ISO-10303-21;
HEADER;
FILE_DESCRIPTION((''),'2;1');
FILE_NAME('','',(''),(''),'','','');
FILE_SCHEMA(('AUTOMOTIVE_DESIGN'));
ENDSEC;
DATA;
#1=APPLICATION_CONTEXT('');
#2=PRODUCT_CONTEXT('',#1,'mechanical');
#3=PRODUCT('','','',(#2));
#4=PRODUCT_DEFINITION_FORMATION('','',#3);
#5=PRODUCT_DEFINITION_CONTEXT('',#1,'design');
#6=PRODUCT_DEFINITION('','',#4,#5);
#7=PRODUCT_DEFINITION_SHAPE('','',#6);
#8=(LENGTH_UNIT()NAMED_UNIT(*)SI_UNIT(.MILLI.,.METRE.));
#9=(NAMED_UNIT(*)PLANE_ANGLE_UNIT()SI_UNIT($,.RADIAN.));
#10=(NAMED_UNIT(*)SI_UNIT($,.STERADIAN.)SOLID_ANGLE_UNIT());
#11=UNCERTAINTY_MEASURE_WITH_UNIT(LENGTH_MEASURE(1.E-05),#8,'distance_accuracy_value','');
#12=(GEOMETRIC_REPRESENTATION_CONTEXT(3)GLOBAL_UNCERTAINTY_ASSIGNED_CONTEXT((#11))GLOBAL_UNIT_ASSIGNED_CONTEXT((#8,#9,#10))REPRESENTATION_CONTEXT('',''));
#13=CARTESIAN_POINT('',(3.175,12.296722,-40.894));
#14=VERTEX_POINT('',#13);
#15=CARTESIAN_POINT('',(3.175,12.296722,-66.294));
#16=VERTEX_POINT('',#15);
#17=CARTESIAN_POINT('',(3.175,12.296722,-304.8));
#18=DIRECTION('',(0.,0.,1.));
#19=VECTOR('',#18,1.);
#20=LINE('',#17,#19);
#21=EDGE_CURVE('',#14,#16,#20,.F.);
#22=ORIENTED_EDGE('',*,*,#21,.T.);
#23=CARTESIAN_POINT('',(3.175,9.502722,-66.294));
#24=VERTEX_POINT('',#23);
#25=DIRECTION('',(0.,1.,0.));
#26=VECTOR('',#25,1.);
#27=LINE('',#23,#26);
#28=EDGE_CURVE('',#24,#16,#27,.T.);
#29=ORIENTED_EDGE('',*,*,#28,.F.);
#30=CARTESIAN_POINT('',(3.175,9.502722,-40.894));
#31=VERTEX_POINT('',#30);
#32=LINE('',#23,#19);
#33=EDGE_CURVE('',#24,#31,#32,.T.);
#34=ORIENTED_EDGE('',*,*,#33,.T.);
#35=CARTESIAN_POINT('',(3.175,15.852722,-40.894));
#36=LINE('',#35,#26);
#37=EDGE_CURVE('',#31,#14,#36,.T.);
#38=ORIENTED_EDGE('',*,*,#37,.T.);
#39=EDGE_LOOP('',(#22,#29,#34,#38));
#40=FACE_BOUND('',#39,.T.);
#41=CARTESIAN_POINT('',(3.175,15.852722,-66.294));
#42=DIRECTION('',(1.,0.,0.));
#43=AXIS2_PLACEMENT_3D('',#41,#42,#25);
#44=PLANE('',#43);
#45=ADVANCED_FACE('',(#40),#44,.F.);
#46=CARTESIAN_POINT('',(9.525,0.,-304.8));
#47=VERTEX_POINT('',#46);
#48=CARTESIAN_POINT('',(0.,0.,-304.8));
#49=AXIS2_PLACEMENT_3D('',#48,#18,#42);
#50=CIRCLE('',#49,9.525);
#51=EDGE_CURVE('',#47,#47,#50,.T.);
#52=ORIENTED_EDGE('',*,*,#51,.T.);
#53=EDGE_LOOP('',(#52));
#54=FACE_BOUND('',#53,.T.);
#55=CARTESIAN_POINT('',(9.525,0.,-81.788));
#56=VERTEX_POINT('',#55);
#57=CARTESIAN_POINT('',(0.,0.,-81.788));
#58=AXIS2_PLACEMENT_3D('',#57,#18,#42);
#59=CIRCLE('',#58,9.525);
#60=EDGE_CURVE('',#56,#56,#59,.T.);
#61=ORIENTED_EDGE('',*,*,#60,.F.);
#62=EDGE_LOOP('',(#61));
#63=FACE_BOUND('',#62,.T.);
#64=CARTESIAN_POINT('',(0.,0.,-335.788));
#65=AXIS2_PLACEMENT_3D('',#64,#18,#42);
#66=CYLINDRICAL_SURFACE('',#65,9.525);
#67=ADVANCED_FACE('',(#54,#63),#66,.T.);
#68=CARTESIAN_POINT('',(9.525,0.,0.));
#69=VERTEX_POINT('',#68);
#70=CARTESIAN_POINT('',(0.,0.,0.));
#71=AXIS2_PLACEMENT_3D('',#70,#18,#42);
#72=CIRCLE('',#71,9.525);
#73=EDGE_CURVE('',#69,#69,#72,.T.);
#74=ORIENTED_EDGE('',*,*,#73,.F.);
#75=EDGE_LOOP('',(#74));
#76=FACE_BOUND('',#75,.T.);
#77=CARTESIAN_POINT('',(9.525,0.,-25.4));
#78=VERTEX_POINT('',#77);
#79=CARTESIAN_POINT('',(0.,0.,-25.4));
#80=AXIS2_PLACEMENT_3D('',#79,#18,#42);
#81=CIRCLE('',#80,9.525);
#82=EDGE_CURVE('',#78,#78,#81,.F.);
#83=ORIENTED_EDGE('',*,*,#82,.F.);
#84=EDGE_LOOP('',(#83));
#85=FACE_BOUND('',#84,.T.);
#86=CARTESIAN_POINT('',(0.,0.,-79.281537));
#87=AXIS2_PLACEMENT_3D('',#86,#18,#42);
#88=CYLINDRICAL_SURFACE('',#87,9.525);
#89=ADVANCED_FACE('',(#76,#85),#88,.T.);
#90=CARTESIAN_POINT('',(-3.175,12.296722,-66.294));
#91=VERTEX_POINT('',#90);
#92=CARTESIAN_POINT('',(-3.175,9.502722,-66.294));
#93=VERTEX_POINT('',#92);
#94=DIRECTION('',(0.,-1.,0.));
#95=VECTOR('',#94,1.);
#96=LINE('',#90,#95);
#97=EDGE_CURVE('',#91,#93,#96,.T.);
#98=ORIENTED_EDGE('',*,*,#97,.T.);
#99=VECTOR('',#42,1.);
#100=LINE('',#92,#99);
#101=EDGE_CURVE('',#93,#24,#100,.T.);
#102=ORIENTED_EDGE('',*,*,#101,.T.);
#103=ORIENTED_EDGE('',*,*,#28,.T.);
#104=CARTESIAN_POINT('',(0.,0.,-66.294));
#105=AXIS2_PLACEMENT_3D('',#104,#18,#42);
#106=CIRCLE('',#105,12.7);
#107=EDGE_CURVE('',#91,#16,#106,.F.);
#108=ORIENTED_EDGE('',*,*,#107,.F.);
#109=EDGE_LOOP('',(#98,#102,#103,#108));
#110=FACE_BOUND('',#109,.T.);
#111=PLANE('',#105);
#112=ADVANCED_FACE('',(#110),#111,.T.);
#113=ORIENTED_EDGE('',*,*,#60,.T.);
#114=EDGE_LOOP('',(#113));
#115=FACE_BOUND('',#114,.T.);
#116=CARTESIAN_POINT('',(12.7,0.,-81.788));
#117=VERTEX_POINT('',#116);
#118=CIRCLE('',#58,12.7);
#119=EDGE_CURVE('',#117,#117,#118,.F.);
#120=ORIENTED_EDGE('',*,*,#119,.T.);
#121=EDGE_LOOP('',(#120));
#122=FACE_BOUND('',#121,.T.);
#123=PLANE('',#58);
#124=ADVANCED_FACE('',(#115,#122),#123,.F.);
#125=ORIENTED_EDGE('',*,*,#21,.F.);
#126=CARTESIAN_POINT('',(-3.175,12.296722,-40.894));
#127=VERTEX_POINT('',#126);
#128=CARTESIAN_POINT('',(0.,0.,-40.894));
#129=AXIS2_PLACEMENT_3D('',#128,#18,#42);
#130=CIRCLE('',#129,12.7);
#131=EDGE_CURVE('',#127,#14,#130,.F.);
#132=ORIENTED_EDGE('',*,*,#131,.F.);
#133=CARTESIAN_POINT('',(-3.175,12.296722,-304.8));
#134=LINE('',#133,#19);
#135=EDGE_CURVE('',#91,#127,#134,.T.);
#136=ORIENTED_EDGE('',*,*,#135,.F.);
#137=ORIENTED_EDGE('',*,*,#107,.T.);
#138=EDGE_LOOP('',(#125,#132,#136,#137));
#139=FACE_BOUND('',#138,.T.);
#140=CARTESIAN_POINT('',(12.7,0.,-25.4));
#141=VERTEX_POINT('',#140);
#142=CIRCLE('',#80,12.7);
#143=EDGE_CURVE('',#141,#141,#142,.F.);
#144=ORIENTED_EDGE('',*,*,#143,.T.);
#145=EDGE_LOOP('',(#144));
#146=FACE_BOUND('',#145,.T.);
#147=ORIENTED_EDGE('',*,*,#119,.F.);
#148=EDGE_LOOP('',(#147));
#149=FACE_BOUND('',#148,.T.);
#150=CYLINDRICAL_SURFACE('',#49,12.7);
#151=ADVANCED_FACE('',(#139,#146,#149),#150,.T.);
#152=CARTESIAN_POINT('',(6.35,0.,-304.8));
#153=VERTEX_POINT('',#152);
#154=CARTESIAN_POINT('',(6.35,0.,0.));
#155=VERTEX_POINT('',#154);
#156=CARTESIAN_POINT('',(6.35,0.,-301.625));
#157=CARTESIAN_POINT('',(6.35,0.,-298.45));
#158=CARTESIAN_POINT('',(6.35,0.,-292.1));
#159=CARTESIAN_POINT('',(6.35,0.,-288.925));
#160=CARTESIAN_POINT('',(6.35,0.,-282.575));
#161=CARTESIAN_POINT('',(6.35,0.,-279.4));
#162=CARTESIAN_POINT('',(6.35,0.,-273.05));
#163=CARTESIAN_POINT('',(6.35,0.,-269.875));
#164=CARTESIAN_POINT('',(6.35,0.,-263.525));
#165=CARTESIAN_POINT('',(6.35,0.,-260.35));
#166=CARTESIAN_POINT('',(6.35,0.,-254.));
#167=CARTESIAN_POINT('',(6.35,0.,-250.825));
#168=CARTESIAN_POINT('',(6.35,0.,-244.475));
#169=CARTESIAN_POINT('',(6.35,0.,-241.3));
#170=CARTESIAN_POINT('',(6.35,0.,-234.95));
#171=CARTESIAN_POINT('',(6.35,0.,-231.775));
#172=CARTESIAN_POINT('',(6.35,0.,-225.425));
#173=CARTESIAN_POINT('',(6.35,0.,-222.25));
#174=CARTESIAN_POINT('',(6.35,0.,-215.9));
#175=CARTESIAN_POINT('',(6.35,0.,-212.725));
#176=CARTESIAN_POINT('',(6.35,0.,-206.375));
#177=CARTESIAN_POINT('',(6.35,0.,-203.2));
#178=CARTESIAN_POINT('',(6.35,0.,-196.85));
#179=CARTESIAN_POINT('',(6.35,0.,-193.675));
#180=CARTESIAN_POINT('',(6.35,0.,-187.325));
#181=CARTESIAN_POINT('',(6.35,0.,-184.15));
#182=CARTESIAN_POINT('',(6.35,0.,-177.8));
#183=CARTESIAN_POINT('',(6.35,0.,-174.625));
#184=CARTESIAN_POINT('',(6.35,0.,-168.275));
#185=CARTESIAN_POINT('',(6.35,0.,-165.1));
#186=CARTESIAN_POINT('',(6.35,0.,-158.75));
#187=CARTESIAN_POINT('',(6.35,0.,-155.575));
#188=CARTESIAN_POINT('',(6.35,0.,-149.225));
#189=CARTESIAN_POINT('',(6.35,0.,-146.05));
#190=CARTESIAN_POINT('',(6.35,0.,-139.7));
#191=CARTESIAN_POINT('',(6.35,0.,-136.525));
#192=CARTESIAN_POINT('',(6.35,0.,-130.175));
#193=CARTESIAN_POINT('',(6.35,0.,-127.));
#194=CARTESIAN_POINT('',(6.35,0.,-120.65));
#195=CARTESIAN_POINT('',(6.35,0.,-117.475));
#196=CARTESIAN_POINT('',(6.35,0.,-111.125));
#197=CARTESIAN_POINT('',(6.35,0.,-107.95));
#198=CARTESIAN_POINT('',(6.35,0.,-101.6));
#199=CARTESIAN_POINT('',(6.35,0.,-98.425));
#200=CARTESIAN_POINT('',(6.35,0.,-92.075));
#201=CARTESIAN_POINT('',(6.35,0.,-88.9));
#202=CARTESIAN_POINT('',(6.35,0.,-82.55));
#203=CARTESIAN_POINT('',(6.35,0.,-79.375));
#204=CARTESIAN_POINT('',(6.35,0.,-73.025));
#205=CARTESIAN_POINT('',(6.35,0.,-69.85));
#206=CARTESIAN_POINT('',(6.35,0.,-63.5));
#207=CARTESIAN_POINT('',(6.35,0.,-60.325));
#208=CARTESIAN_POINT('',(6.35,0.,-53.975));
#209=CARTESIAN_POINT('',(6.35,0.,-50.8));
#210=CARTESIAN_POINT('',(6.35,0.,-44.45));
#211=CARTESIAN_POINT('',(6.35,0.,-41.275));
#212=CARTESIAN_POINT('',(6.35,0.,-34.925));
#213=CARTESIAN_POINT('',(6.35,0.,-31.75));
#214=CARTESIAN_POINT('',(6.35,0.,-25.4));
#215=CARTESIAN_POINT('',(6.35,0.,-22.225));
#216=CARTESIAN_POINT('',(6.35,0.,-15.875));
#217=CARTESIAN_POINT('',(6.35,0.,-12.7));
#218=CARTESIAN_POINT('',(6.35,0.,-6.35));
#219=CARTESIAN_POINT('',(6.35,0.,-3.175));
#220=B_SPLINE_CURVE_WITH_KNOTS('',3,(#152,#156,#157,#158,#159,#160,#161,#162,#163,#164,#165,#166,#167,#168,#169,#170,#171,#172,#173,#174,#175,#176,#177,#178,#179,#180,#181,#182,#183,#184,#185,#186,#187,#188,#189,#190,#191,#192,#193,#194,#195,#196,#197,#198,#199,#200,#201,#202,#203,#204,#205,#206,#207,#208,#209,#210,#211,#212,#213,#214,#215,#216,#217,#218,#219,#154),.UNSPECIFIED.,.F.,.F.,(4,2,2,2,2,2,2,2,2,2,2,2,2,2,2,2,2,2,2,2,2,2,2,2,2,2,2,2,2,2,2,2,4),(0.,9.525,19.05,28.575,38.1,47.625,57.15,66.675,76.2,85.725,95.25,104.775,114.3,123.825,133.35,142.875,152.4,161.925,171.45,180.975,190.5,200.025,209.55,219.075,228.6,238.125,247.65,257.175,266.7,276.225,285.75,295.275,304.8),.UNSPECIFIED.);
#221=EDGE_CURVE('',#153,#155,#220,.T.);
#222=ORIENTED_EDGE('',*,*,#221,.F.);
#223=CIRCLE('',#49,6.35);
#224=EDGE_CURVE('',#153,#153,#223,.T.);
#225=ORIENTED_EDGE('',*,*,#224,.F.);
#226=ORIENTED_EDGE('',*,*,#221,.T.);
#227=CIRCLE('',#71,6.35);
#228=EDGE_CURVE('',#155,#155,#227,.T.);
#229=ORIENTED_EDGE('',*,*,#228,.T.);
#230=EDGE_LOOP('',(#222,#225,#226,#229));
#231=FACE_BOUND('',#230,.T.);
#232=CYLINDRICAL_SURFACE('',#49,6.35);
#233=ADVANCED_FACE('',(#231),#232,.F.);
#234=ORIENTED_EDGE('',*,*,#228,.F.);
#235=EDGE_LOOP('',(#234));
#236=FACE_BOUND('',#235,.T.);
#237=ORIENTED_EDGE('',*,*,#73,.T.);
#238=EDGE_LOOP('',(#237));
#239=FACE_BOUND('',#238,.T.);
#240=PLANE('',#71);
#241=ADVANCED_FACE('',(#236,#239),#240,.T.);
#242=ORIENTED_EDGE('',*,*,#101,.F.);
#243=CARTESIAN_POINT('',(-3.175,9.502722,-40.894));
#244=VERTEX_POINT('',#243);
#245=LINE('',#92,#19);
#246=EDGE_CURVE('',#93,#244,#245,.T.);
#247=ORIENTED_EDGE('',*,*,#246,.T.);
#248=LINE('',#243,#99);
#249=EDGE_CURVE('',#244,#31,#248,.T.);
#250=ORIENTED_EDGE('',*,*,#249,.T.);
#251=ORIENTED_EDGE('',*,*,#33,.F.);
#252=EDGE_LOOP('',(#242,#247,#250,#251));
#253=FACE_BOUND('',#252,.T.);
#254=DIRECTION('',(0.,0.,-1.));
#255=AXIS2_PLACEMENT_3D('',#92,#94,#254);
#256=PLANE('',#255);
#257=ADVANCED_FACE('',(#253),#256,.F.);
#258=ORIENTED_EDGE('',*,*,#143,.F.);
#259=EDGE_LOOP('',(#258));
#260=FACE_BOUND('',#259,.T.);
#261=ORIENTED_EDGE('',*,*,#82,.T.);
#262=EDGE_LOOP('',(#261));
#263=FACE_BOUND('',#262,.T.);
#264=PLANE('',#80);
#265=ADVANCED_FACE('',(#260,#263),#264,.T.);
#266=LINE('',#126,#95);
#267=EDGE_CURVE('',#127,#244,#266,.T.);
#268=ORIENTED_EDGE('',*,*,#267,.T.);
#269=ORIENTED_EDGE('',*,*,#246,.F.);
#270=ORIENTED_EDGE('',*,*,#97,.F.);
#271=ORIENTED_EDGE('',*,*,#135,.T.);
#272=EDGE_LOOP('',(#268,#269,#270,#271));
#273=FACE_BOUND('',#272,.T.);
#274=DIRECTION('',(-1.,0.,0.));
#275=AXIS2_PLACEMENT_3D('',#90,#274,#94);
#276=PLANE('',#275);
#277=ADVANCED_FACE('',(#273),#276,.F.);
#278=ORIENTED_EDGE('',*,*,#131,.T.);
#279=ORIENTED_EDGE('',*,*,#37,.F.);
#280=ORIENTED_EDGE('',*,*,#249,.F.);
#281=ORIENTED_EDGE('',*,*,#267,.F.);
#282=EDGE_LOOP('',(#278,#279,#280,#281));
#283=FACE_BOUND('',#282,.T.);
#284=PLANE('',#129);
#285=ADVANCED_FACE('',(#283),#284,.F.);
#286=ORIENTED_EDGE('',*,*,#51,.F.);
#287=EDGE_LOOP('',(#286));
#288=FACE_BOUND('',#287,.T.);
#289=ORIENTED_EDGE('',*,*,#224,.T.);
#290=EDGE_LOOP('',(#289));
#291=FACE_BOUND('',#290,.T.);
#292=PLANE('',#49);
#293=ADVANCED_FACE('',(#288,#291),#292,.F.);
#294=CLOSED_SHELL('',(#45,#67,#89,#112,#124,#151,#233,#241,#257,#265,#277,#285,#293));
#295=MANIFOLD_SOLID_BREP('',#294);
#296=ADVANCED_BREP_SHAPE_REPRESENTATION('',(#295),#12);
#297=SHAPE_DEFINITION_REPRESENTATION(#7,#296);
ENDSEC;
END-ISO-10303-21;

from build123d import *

# Parameters (mm, degrees)
SKETCH1_R           = 12.7
SKETCH1_R_2         = 6.35
BOSS_EXTRUDE1_DEPTH = 304.8
SKETCH3_R           = 19.05
SKETCH3_R_2         = 9.525
CUT_EXTRUDE2_DEPTH  = 254
CUT_EXTRUDE3_DEPTH  = 25.4
CUT_EXTRUDE5_START  = -25.4
SKETCH2_R           = 19.05
SKETCH2_R_2         = 9.525
CUT_EXTRUDE5_DEPTH  = 25.4


with BuildPart() as part:
    # Sketch1 → Boss-Extrude1 (new body)
    with BuildSketch(Plane.XY):
        Circle(SKETCH1_R)
        Circle(SKETCH1_R_2, mode=Mode.SUBTRACT)
    extrude(amount=-BOSS_EXTRUDE1_DEPTH)

    # Sketch3 → Cut-Extrude2 (cut)
    with BuildSketch(Plane.XY.offset(-81.788)):
        Circle(SKETCH3_R)
        Circle(SKETCH3_R_2, mode=Mode.SUBTRACT)
    extrude(amount=-CUT_EXTRUDE2_DEPTH, mode=Mode.SUBTRACT)

    # Sketch4 → Cut-Extrude3 (cut)
    with BuildSketch(Plane.XY.offset(-40.894)):
        Polygon((-3.175, 12.296722124), (-3.175, 15.852722124), (3.175, 15.852722124), (3.175, 12.296722124), (3.175, 9.502722124), (-3.175, 9.502722124), align=None)
    extrude(amount=-CUT_EXTRUDE3_DEPTH, mode=Mode.SUBTRACT)

    # Sketch2 → Cut-Extrude5 (cut)
    with BuildSketch(Plane.XY.offset(CUT_EXTRUDE5_START)):
        Circle(SKETCH2_R)
        Circle(SKETCH2_R_2, mode=Mode.SUBTRACT)
    extrude(amount=CUT_EXTRUDE5_DEPTH, mode=Mode.SUBTRACT)


solid = part.part
